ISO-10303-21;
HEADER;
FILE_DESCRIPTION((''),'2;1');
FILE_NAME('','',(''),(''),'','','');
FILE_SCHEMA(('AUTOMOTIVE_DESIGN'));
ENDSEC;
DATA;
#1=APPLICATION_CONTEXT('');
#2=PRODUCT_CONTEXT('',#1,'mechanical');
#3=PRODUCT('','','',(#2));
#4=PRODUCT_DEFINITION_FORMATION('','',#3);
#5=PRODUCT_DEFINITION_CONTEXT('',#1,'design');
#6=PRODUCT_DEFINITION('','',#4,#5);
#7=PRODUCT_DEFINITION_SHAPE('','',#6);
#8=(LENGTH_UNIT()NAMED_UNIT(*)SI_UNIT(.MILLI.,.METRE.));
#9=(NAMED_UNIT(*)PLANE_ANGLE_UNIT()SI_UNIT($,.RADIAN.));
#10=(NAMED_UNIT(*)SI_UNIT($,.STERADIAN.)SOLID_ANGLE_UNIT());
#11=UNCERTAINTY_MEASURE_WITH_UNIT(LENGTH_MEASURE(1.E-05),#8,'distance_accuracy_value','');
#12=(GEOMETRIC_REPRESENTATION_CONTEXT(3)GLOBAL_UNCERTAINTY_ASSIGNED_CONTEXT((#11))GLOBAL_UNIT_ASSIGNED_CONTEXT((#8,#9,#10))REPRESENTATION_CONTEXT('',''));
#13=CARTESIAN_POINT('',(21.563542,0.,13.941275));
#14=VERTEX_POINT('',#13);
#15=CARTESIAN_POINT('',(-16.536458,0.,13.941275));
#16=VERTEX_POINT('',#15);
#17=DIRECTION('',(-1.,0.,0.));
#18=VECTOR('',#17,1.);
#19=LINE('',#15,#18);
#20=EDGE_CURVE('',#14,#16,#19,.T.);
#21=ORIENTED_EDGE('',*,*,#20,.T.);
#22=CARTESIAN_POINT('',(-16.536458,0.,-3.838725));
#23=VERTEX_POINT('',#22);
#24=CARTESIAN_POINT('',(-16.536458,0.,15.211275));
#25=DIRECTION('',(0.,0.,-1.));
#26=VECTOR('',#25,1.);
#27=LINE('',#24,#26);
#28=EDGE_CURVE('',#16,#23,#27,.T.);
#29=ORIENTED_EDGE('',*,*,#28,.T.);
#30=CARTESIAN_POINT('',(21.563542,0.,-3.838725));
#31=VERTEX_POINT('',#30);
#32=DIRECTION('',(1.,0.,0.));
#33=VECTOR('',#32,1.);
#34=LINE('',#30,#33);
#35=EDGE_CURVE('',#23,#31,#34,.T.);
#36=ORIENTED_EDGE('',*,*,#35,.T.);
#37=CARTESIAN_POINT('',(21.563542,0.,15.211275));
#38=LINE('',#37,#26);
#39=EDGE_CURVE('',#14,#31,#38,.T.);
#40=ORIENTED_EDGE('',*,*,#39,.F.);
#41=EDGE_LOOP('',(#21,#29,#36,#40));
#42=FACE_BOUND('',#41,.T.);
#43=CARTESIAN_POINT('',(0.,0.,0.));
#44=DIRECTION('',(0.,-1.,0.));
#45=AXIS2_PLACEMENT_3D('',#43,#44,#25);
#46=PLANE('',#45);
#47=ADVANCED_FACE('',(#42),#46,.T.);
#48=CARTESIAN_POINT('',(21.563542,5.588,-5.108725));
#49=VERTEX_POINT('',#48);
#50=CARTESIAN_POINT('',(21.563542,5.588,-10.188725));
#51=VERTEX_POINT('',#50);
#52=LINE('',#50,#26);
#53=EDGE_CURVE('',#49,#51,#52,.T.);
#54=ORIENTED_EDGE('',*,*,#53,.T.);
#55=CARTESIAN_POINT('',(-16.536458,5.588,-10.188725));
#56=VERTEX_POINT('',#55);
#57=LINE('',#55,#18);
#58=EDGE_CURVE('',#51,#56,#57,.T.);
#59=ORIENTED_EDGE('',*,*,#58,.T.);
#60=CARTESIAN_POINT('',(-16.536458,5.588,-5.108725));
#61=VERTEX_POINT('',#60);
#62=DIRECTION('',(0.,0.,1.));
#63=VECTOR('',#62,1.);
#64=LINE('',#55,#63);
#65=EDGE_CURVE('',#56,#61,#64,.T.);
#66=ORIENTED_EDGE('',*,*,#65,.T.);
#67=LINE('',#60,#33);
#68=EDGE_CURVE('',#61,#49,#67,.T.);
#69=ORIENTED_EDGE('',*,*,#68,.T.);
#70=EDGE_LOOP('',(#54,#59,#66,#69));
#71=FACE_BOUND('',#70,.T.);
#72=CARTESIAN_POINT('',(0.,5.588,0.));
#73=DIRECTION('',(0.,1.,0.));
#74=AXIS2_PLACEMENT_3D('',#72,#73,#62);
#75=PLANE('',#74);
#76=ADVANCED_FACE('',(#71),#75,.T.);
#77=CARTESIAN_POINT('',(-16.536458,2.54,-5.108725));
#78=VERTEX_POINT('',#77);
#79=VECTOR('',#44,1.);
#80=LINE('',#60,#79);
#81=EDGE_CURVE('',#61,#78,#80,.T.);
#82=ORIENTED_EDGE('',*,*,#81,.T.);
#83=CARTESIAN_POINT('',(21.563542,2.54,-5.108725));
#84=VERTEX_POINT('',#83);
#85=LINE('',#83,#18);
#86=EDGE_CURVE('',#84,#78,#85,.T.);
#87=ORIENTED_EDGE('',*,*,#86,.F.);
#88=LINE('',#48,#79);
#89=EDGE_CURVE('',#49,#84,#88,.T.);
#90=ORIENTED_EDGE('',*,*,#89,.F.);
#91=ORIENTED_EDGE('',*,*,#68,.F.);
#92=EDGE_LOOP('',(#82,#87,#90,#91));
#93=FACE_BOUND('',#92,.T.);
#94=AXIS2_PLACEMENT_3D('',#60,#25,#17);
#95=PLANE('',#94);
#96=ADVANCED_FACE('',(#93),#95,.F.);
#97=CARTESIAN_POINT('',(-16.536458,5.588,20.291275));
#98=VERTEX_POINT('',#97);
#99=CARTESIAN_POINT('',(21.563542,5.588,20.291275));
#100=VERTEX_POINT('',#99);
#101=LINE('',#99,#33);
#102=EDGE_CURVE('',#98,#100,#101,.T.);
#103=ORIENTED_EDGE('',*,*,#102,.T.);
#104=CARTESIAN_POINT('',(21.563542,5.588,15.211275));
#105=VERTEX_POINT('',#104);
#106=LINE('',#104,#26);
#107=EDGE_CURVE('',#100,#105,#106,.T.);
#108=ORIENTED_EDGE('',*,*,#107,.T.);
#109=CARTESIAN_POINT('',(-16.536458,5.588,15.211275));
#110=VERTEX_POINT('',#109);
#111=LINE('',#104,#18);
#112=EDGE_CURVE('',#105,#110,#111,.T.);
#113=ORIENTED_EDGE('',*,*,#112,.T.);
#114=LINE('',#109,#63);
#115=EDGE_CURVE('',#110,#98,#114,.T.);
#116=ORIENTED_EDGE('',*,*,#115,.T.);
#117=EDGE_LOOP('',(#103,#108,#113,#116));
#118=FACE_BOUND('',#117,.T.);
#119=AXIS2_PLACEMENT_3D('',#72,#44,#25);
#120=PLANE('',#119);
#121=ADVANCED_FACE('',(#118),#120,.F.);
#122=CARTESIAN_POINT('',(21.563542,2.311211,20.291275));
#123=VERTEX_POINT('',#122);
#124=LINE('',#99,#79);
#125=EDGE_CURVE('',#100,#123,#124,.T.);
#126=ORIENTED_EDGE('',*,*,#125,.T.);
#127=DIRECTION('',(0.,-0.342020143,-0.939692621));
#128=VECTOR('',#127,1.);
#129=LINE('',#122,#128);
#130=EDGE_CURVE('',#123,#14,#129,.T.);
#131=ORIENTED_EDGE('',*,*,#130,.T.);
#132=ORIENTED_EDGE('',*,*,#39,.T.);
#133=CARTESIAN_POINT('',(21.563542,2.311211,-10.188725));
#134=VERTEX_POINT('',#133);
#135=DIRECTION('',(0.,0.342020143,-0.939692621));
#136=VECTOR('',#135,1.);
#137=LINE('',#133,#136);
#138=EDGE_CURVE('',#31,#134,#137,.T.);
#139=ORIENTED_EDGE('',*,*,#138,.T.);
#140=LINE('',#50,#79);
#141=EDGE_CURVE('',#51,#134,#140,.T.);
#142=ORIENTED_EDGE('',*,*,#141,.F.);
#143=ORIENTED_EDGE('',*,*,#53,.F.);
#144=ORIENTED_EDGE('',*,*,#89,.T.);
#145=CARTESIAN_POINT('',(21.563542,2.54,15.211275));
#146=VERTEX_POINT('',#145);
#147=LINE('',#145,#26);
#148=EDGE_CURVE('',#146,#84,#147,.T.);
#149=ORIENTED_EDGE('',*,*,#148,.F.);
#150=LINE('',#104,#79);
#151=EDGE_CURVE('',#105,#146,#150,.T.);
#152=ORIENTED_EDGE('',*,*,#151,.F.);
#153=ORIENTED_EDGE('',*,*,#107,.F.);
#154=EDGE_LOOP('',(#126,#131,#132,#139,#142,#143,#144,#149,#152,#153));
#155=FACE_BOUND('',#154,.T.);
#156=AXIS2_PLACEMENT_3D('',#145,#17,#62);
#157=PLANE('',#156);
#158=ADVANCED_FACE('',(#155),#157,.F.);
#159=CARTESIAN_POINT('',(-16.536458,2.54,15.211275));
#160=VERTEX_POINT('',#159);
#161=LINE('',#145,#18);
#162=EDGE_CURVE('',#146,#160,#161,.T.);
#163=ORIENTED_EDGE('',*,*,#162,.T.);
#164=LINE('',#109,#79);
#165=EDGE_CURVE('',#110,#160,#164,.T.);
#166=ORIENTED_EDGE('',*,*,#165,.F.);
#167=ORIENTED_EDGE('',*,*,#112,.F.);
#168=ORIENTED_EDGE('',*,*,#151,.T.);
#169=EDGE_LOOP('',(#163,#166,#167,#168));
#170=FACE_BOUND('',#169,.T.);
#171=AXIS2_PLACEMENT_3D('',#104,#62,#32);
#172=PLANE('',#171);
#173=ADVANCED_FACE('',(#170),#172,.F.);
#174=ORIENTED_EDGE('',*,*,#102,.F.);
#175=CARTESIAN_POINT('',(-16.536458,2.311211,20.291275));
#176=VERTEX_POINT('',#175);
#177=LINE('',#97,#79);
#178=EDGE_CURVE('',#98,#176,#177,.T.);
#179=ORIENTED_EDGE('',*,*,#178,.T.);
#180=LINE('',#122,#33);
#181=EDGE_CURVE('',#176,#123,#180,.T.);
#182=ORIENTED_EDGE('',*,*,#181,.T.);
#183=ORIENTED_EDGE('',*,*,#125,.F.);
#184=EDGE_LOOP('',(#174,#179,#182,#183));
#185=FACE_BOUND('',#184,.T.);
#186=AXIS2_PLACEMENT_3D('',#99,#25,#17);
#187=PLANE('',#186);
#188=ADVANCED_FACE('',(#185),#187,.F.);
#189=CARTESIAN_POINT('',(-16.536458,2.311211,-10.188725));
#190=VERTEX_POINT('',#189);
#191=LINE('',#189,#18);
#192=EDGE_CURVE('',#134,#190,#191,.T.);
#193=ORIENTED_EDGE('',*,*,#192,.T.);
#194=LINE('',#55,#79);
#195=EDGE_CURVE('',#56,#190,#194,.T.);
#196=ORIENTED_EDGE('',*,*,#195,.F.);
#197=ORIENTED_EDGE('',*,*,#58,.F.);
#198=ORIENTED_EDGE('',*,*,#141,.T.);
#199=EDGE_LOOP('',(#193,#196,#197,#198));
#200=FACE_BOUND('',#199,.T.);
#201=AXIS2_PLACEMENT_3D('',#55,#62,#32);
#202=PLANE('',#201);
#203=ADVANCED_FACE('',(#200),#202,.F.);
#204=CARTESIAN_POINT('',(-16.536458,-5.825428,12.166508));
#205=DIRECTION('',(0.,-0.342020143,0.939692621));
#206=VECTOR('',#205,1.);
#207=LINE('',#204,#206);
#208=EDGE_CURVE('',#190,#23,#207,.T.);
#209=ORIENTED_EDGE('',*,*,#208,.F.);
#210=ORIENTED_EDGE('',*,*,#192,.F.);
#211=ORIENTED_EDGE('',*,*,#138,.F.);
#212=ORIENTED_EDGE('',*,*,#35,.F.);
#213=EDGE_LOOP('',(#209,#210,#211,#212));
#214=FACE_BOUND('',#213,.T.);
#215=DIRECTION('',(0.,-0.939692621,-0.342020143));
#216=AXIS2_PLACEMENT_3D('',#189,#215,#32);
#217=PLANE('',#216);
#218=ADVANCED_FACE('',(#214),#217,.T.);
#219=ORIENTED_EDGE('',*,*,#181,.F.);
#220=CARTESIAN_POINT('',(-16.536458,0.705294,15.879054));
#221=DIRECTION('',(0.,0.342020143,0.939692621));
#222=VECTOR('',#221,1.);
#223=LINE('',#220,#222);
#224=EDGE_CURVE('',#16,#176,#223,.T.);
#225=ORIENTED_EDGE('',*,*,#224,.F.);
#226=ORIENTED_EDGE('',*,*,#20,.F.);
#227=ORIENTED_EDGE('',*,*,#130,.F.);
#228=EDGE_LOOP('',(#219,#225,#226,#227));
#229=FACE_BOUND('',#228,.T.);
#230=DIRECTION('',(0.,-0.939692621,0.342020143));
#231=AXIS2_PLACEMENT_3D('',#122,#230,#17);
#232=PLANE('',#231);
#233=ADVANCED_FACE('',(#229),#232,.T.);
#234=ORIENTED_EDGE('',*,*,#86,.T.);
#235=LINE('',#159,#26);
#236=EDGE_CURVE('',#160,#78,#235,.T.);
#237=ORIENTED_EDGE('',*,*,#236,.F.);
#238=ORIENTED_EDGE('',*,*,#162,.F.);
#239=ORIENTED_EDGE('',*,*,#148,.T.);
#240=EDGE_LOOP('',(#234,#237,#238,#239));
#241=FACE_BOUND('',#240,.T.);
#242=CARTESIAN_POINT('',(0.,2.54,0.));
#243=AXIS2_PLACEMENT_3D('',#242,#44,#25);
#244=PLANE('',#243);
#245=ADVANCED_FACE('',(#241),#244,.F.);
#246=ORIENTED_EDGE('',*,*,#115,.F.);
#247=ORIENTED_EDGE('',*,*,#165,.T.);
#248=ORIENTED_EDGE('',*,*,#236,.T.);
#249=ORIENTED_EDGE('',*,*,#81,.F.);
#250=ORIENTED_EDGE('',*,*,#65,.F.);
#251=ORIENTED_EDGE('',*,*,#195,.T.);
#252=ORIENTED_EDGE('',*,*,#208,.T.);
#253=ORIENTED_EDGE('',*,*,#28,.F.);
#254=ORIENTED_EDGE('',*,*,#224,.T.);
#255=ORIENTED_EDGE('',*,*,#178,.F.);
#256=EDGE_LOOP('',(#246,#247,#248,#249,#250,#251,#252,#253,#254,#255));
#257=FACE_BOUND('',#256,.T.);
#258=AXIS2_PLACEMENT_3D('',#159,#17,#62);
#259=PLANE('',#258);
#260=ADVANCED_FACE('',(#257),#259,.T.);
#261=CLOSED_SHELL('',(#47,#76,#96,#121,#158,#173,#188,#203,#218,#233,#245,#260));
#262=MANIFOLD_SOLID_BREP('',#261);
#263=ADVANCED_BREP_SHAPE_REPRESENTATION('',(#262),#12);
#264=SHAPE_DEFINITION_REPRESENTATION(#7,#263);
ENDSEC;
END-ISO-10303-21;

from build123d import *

# Parameters (mm, degrees)
SKETCH1_W           = 38.1
SKETCH1_H           = 20.32
BOSS_EXTRUDE1_DEPTH = 2.54
SKETCH2_W           = 38.1
SKETCH2_H           = 5.08
BOSS_EXTRUDE2_DEPTH = 5.588
CHAMFER1_SIZE       = 6.35
CHAMFER1_SIZE2      = 2.311210988


with BuildPart() as part:
    # Sketch1 → Boss-Extrude1 (new body)
    with BuildSketch(Plane(origin=(0, 0, 0), x_dir=(1, 0, 0), z_dir=(0, 1, 0))):
        with Locations((2.513541667, -5.051275362)):
            Rectangle(SKETCH1_W, SKETCH1_H)
    extrude(amount=BOSS_EXTRUDE1_DEPTH)

    # Sketch2 → Boss-Extrude2 (add)
    with BuildSketch(Plane(origin=(0, 0, 0), x_dir=(1, 0, 0), z_dir=(0, 1, 0))):
        with Locations((2.513541667, 7.648724638)):
            Rectangle(SKETCH2_W, SKETCH2_H)
        with Locations((2.513541667, -17.751275362)):
            Rectangle(SKETCH2_W, SKETCH2_H)
    extrude(amount=BOSS_EXTRUDE2_DEPTH)

    # Chamfer1
    chamfer1_edges = [part.edges().sort_by_distance(p)[0] for p in [
        (2.513541667, 0, -10.188724638),
        (2.513541667, 0, 20.291275362),
    ]]
    chamfer1_side = [part.faces().sort_by_distance(p)[0] for p in [
        (2.513541667, 0, 5.051275362),
    ]]
    chamfer(chamfer1_edges, length=CHAMFER1_SIZE, length2=CHAMFER1_SIZE2, reference=chamfer1_side[0])


solid = part.part
